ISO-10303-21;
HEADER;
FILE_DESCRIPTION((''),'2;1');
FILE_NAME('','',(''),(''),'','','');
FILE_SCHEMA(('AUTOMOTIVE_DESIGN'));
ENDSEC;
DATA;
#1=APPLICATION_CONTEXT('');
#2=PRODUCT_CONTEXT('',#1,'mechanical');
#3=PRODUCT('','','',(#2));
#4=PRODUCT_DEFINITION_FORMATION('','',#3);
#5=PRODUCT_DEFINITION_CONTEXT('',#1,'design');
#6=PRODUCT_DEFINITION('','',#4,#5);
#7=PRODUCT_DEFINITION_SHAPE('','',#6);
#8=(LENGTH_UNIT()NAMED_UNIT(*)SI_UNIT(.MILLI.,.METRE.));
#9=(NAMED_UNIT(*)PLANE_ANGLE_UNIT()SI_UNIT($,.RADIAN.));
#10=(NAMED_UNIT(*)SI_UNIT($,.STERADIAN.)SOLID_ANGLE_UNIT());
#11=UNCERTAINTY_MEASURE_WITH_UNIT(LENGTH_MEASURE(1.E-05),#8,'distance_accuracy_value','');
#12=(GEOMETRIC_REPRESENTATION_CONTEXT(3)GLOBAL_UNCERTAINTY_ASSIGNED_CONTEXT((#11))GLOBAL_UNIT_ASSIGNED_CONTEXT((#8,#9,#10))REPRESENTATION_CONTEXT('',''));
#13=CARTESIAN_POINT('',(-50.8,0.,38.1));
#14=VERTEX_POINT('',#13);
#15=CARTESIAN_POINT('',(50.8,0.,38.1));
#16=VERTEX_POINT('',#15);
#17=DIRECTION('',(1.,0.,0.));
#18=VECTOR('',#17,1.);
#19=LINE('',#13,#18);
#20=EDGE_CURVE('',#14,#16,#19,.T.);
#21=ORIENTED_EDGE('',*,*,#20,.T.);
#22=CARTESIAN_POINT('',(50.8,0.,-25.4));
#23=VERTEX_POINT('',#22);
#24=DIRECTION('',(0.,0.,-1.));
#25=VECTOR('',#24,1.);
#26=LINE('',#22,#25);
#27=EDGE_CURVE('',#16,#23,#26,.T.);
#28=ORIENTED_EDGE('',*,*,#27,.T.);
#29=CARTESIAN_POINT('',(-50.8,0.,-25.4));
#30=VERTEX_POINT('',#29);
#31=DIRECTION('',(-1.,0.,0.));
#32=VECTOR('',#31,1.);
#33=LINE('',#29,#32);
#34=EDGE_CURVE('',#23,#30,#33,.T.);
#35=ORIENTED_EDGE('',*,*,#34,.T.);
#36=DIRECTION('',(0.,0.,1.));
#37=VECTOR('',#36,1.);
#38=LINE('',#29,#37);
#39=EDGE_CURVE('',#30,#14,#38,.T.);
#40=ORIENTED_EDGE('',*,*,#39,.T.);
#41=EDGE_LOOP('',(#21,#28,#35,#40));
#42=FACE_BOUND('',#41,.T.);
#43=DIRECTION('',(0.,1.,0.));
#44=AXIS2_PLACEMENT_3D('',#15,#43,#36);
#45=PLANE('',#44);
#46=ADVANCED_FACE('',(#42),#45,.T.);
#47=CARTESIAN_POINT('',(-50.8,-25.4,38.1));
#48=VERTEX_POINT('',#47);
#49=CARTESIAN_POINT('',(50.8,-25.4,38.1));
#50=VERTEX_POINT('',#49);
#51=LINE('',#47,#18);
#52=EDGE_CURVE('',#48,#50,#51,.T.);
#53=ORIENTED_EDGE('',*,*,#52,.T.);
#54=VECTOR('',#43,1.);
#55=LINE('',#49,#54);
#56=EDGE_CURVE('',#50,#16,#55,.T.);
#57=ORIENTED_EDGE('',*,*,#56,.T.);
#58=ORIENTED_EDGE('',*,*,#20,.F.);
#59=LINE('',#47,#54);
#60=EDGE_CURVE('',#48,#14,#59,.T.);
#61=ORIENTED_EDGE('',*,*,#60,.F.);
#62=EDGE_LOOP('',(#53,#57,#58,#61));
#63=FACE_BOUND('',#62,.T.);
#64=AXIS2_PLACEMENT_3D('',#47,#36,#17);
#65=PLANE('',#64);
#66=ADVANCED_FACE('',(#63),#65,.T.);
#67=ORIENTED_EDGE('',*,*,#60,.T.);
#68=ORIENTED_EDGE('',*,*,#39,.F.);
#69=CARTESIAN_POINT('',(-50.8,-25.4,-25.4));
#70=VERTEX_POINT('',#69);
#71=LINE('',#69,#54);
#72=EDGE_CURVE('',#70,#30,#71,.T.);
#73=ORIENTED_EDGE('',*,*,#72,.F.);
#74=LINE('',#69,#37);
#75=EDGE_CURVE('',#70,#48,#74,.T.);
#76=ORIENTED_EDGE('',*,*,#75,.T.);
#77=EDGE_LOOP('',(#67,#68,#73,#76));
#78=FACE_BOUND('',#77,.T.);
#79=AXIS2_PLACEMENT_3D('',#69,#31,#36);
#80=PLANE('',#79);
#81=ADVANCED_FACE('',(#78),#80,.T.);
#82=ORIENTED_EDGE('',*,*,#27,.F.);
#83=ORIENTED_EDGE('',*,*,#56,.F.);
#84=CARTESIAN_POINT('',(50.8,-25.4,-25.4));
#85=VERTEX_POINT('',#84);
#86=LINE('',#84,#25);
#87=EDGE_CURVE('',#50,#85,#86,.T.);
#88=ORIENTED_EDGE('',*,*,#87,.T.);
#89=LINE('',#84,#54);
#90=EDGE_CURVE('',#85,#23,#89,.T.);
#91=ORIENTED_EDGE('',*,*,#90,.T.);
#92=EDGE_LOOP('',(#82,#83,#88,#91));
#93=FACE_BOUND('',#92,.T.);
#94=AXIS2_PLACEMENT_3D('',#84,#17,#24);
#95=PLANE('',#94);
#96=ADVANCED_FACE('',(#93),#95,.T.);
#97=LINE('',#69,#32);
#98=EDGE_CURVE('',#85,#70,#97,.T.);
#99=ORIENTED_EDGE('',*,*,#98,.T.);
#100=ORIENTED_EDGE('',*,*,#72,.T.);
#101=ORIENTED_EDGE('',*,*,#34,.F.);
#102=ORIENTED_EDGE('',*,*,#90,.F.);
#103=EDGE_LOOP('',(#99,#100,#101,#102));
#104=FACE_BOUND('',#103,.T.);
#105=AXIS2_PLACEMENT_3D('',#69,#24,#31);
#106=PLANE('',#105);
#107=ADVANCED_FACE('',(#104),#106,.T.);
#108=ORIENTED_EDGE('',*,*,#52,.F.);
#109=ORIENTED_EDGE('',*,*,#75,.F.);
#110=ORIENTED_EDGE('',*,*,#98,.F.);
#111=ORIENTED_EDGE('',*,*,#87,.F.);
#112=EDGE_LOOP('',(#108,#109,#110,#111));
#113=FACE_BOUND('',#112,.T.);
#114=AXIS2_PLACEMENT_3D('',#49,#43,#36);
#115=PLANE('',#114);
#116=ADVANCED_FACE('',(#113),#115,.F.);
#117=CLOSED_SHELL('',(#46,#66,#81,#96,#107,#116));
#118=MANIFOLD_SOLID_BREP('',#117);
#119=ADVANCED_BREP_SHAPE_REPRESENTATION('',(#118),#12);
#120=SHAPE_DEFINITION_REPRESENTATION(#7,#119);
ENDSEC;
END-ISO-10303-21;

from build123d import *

# Parameters (mm, degrees)
SKETCH1_W      = 101.6
SKETCH1_H      = 63.5
EXTRUDE1_DEPTH = 25.4


with BuildPart() as part:
    # Sketch1 → Extrude1 (new body)
    with BuildSketch(Plane(origin=(0, 0, 0), x_dir=(1, 0, 0), z_dir=(0, 1, 0))):
        with Locations((0, -6.35)):
            Rectangle(SKETCH1_W, SKETCH1_H)
    extrude(amount=-EXTRUDE1_DEPTH)


solid = part.part
